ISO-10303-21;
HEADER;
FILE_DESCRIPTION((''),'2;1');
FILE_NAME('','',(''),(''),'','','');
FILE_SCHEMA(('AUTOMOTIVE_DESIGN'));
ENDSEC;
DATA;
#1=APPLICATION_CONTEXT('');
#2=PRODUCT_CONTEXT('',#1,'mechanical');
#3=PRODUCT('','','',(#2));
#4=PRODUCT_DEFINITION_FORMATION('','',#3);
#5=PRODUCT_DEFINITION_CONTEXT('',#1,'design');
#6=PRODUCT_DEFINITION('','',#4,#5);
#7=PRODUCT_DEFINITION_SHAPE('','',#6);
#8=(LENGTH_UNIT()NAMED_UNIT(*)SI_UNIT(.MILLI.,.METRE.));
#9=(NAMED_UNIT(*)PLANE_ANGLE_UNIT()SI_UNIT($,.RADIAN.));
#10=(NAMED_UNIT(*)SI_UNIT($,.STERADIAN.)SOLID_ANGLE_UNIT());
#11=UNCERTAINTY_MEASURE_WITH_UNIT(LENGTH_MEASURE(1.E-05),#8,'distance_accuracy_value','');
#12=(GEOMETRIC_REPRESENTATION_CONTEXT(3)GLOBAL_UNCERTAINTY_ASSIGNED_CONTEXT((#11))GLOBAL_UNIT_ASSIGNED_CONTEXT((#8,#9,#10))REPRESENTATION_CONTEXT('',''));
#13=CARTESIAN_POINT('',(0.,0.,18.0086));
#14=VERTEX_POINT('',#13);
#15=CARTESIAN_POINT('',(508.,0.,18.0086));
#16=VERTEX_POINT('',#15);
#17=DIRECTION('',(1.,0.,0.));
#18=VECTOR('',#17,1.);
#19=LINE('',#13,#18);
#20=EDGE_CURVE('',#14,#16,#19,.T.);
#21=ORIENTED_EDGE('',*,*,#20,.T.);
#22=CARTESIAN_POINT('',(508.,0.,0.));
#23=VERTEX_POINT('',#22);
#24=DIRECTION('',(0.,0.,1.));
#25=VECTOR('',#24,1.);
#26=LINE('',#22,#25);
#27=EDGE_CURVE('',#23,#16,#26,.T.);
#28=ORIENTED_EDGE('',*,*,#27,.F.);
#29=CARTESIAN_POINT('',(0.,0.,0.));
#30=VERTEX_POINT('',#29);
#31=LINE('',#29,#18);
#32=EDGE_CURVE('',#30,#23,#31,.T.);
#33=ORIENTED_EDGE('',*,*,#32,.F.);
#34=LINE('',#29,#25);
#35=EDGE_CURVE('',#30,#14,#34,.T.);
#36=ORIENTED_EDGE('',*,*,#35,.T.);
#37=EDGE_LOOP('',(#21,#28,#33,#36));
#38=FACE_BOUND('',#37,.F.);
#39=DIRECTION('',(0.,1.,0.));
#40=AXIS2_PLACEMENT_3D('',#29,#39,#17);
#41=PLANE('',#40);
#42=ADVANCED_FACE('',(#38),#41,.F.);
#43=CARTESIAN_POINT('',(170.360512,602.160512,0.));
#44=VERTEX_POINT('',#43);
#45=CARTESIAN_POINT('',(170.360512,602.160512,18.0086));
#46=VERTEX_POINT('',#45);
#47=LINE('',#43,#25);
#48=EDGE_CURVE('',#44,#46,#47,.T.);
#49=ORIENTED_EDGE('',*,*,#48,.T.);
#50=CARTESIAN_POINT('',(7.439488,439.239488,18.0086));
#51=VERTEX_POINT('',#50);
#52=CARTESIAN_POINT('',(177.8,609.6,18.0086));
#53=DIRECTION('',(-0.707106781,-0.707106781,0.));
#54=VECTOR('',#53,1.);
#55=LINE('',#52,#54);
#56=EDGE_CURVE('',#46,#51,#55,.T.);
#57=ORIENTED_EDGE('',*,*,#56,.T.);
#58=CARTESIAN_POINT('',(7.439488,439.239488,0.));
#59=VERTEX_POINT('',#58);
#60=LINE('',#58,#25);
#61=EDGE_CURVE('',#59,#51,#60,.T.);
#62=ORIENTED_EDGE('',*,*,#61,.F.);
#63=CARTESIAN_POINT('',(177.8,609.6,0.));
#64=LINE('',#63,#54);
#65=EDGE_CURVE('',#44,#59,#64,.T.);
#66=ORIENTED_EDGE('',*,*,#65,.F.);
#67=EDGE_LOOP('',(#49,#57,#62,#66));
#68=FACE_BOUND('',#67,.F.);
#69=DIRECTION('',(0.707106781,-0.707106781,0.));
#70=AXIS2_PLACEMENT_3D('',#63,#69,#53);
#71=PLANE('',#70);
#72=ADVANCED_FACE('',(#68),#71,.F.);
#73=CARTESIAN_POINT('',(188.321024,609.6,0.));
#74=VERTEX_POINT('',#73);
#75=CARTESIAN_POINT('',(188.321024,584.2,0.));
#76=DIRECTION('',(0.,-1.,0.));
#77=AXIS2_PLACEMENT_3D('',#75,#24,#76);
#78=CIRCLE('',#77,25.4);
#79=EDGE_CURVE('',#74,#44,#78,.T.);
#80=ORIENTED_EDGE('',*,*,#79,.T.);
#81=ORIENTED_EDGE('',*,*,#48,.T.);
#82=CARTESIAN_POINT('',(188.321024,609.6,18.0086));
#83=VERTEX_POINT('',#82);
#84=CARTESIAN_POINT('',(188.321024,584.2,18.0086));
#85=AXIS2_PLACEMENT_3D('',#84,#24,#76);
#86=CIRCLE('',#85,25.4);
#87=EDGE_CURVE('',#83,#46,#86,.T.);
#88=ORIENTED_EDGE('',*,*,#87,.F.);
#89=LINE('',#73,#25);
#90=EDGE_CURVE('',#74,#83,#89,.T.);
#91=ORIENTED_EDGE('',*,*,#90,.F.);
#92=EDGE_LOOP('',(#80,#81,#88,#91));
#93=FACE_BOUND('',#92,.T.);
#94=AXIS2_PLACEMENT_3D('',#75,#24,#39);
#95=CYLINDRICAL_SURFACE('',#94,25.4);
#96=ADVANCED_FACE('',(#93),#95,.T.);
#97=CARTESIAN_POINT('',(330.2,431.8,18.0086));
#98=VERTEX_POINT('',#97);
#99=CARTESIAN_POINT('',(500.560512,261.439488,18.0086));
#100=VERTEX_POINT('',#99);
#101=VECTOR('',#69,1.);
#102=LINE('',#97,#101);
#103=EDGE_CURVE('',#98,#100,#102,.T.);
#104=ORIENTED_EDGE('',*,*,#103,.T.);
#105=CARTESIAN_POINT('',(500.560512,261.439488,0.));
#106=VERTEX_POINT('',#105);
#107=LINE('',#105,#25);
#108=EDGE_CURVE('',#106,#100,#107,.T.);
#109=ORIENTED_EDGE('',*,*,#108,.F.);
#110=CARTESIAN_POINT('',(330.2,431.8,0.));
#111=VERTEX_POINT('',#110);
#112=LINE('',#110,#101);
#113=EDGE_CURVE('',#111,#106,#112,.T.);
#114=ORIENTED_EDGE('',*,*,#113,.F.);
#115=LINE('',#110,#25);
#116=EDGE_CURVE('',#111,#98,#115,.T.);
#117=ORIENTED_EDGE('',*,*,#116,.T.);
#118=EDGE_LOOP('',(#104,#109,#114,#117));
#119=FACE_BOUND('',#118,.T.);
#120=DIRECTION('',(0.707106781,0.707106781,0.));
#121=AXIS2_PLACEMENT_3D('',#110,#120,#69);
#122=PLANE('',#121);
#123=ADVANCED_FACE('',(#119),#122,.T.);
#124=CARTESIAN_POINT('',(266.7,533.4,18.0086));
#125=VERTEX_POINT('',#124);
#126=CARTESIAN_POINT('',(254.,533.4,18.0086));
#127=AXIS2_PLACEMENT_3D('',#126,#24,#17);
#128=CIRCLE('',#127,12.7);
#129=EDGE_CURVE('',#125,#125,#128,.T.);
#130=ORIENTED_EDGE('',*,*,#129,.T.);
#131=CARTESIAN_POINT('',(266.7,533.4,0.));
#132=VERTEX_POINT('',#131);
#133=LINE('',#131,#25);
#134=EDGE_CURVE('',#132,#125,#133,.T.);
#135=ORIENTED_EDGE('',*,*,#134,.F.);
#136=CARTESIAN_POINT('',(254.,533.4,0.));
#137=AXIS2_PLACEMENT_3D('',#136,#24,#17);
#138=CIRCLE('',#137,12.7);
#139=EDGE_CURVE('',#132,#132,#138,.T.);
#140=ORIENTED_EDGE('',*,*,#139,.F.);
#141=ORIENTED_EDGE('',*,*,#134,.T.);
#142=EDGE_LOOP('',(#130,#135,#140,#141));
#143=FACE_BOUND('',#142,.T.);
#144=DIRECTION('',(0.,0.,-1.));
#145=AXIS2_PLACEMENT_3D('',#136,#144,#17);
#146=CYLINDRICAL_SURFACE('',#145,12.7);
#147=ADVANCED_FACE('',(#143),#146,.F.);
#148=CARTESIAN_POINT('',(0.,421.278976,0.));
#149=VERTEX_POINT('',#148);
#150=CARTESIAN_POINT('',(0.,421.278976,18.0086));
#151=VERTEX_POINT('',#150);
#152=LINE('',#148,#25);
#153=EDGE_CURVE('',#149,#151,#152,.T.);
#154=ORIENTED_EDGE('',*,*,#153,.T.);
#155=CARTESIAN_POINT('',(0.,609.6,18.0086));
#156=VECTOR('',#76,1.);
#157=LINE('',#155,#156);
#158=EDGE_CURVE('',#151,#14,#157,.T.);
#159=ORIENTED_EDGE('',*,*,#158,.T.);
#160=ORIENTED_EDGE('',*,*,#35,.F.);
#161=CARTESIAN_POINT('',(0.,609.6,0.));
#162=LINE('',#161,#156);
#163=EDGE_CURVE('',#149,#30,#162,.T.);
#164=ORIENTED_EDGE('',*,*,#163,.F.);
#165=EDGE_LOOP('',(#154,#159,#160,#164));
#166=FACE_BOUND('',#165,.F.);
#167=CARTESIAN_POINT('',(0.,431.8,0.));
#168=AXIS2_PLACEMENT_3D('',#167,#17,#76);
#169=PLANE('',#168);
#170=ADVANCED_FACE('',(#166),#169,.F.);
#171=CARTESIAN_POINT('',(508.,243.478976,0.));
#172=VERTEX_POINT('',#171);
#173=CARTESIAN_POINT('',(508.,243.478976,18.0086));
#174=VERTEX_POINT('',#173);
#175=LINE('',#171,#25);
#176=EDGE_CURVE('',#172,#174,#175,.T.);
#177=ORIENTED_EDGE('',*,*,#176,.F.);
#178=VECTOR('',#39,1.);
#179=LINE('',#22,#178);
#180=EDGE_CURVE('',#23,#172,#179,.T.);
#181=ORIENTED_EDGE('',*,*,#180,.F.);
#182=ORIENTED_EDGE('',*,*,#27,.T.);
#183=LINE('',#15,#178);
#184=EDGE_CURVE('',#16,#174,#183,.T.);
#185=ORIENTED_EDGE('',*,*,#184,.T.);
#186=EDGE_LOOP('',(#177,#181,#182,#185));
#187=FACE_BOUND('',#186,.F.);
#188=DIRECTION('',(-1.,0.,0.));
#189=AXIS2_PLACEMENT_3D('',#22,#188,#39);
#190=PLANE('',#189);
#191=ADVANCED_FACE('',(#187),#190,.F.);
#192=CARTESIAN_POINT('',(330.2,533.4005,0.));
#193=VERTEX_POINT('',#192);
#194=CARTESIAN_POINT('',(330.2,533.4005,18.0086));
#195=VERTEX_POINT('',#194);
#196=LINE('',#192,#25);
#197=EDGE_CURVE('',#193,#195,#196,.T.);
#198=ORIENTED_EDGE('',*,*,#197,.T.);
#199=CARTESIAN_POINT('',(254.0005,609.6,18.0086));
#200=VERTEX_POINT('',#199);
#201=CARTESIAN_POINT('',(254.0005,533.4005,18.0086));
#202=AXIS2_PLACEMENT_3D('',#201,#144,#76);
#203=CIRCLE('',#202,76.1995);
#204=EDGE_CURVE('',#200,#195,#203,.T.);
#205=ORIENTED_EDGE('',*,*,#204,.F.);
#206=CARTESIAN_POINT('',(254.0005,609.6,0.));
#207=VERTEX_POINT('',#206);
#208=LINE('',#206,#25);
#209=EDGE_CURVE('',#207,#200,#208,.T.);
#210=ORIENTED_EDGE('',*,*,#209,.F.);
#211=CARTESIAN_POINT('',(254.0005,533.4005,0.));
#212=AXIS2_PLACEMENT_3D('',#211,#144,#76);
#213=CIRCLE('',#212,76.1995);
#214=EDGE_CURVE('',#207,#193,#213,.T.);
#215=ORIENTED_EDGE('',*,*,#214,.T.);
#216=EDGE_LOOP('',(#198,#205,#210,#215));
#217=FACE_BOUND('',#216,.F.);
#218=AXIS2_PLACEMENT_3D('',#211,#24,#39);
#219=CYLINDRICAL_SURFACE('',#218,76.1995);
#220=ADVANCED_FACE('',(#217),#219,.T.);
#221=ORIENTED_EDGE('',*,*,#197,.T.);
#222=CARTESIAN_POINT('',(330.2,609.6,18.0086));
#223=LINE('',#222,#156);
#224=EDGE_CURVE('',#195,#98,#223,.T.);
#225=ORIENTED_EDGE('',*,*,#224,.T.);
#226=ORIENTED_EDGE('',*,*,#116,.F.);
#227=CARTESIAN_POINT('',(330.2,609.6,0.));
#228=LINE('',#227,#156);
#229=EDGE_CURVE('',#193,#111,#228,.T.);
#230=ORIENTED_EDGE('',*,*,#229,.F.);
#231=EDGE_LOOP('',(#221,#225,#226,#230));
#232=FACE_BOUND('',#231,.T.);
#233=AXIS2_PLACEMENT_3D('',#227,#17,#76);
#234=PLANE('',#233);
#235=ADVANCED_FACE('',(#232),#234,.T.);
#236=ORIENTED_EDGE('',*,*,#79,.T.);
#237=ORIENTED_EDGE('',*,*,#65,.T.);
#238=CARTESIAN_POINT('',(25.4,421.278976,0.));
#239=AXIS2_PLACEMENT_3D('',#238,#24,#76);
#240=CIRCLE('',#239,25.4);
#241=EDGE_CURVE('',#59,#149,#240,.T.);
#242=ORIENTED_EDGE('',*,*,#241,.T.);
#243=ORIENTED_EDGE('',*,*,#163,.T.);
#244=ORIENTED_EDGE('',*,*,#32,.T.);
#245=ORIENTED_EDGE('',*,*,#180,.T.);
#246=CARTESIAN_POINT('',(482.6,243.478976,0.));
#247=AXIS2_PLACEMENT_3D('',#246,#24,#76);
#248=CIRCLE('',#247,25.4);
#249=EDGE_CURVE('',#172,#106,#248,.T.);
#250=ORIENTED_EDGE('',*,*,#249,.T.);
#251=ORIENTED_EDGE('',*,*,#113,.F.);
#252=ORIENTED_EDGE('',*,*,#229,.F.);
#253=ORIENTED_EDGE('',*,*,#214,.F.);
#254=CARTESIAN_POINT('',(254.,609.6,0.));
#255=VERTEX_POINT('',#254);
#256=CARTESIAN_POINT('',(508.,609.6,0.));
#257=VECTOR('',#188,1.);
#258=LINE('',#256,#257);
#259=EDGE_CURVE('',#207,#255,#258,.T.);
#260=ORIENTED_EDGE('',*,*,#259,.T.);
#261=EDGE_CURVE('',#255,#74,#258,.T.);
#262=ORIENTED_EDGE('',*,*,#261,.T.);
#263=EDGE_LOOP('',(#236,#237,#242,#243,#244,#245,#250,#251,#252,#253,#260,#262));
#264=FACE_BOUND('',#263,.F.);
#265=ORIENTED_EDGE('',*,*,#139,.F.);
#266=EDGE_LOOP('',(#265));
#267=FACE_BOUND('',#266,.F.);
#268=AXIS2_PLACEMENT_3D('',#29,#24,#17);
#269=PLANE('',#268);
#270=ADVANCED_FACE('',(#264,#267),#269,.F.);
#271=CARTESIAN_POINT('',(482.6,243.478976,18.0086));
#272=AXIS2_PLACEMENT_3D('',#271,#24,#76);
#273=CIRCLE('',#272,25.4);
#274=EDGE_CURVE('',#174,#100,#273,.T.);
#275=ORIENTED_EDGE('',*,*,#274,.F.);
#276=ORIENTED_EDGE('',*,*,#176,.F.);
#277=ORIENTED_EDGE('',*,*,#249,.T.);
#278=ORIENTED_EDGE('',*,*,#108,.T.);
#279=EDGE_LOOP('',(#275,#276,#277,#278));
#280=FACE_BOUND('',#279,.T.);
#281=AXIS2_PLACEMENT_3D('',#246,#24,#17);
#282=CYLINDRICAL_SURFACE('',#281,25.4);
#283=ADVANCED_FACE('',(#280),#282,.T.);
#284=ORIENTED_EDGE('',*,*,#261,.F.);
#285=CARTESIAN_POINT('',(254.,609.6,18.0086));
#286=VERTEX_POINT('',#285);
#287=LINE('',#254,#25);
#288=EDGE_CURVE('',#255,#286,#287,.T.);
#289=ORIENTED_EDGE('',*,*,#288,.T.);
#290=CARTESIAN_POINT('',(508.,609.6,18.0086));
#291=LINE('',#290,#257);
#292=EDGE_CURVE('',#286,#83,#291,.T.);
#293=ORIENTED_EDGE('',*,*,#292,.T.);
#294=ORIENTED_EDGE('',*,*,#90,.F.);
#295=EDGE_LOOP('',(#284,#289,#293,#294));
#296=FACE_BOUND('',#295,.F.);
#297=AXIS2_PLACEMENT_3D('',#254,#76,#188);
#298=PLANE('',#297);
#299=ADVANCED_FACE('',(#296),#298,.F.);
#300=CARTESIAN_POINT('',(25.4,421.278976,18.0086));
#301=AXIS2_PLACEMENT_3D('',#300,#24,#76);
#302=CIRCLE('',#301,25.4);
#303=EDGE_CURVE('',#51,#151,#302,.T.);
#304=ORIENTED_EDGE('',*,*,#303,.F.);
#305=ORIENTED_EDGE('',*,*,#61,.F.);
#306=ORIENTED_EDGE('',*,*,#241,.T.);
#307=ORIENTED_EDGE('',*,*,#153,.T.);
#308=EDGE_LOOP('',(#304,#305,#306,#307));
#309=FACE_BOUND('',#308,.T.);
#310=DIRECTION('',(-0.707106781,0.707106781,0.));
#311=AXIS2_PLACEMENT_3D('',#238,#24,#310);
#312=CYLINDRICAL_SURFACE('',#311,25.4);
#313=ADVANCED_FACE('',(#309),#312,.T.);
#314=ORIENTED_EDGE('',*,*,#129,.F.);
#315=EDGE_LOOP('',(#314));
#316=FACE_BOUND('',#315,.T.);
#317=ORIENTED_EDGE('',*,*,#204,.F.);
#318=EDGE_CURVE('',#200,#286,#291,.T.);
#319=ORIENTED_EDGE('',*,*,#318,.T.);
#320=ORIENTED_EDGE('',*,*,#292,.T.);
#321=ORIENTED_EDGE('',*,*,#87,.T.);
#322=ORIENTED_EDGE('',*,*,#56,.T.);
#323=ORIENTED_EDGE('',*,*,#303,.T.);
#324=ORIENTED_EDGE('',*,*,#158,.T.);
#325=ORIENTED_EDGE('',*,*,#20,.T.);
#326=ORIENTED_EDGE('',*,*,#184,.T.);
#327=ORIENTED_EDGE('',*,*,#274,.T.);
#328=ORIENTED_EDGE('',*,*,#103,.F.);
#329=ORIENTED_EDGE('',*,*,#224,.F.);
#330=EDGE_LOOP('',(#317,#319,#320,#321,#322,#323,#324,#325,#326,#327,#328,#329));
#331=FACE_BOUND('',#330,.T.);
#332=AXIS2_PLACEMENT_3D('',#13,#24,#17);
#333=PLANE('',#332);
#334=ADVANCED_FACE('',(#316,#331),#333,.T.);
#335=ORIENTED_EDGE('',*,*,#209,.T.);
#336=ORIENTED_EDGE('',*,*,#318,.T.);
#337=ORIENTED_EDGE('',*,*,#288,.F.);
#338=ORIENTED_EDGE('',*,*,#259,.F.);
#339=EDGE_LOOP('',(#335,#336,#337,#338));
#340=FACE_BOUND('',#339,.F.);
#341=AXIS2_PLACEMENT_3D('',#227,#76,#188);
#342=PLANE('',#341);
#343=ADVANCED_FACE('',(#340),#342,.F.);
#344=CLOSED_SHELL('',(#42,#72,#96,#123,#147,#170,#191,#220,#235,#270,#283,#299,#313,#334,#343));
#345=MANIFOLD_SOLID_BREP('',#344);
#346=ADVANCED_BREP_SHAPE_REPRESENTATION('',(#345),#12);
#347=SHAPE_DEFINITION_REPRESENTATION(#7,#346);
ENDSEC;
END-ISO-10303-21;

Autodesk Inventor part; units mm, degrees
ref_plane "YZ Plane" through (0, 0, 0) normal (1, 0, 0) x (0, 1, 0)
ref_plane "XZ Plane" through (0, 0, 0) normal (0, 1, 0) x (-1, 0, 0)
ref_plane "XY Plane" through (0, 0, 0) normal (0, 0, 1) x (1, 0, 0)
sketch "Sketch1" plane through (0, 0, 0) normal (0, 0, 1) x (1, 0, 0)
  line L0 (0, 0) -> (508, 0)
  line L1 (508, 0) -> (508, 609.6)
  line L2 (508, 609.6) -> (0, 609.6)
  line L3 (0, 609.6) -> (0, 0)
  line L4 (254, 609.6) -> (177.8, 609.6)
  line L5 (177.8, 609.6) -> (125.7631, 609.6)
  line L6 (254, 609.6) -> (330.2, 609.6)
  line L7 (177.8, 609.6) -> (0, 431.8)
  line L8 (177.8, 609.6) -> (429.2472, 609.6) construction
  line L9 (330.2, 609.6) -> (330.2, 431.8)
  line L10 (330.2, 431.8) -> (508, 254)
  circle A0 centre (254, 533.4) radius 12.7
  dimension "d0" = 508
  dimension "d1" = 609.6
  dimension "d2" = 76.2
  dimension "d3" = 76.2
  dimension "d4" = 135
  dimension "d5" = 135
  dimension "d6" = 25.4
  dimension "d7" = 76.2
  dimension "d10" = 177.8
  dimension "d11" = 538.8154
  dimension "d12" = 254
  dimension "d13" = 382.2369
  dimension "d14" = 254
extrude "Extrusion1" add sketch "Sketch1" along normal blind 18.0086 contours L3 L7 L2 L9 L10 L1 L0
fillet "Fillet1" radius 76.2 1 edges at (330.2, 609.6, 9.0043)
fillet "Fillet2" radius 25.4 1 edges at (177.8, 609.6, 9.0043)
fillet "Fillet3" radius 25.4 1 edges at (0, 431.8, 9.0043)
fillet "Fillet4" radius 25.4 1 edges at (508, 254, 9.0043)
properties part number "base side"
